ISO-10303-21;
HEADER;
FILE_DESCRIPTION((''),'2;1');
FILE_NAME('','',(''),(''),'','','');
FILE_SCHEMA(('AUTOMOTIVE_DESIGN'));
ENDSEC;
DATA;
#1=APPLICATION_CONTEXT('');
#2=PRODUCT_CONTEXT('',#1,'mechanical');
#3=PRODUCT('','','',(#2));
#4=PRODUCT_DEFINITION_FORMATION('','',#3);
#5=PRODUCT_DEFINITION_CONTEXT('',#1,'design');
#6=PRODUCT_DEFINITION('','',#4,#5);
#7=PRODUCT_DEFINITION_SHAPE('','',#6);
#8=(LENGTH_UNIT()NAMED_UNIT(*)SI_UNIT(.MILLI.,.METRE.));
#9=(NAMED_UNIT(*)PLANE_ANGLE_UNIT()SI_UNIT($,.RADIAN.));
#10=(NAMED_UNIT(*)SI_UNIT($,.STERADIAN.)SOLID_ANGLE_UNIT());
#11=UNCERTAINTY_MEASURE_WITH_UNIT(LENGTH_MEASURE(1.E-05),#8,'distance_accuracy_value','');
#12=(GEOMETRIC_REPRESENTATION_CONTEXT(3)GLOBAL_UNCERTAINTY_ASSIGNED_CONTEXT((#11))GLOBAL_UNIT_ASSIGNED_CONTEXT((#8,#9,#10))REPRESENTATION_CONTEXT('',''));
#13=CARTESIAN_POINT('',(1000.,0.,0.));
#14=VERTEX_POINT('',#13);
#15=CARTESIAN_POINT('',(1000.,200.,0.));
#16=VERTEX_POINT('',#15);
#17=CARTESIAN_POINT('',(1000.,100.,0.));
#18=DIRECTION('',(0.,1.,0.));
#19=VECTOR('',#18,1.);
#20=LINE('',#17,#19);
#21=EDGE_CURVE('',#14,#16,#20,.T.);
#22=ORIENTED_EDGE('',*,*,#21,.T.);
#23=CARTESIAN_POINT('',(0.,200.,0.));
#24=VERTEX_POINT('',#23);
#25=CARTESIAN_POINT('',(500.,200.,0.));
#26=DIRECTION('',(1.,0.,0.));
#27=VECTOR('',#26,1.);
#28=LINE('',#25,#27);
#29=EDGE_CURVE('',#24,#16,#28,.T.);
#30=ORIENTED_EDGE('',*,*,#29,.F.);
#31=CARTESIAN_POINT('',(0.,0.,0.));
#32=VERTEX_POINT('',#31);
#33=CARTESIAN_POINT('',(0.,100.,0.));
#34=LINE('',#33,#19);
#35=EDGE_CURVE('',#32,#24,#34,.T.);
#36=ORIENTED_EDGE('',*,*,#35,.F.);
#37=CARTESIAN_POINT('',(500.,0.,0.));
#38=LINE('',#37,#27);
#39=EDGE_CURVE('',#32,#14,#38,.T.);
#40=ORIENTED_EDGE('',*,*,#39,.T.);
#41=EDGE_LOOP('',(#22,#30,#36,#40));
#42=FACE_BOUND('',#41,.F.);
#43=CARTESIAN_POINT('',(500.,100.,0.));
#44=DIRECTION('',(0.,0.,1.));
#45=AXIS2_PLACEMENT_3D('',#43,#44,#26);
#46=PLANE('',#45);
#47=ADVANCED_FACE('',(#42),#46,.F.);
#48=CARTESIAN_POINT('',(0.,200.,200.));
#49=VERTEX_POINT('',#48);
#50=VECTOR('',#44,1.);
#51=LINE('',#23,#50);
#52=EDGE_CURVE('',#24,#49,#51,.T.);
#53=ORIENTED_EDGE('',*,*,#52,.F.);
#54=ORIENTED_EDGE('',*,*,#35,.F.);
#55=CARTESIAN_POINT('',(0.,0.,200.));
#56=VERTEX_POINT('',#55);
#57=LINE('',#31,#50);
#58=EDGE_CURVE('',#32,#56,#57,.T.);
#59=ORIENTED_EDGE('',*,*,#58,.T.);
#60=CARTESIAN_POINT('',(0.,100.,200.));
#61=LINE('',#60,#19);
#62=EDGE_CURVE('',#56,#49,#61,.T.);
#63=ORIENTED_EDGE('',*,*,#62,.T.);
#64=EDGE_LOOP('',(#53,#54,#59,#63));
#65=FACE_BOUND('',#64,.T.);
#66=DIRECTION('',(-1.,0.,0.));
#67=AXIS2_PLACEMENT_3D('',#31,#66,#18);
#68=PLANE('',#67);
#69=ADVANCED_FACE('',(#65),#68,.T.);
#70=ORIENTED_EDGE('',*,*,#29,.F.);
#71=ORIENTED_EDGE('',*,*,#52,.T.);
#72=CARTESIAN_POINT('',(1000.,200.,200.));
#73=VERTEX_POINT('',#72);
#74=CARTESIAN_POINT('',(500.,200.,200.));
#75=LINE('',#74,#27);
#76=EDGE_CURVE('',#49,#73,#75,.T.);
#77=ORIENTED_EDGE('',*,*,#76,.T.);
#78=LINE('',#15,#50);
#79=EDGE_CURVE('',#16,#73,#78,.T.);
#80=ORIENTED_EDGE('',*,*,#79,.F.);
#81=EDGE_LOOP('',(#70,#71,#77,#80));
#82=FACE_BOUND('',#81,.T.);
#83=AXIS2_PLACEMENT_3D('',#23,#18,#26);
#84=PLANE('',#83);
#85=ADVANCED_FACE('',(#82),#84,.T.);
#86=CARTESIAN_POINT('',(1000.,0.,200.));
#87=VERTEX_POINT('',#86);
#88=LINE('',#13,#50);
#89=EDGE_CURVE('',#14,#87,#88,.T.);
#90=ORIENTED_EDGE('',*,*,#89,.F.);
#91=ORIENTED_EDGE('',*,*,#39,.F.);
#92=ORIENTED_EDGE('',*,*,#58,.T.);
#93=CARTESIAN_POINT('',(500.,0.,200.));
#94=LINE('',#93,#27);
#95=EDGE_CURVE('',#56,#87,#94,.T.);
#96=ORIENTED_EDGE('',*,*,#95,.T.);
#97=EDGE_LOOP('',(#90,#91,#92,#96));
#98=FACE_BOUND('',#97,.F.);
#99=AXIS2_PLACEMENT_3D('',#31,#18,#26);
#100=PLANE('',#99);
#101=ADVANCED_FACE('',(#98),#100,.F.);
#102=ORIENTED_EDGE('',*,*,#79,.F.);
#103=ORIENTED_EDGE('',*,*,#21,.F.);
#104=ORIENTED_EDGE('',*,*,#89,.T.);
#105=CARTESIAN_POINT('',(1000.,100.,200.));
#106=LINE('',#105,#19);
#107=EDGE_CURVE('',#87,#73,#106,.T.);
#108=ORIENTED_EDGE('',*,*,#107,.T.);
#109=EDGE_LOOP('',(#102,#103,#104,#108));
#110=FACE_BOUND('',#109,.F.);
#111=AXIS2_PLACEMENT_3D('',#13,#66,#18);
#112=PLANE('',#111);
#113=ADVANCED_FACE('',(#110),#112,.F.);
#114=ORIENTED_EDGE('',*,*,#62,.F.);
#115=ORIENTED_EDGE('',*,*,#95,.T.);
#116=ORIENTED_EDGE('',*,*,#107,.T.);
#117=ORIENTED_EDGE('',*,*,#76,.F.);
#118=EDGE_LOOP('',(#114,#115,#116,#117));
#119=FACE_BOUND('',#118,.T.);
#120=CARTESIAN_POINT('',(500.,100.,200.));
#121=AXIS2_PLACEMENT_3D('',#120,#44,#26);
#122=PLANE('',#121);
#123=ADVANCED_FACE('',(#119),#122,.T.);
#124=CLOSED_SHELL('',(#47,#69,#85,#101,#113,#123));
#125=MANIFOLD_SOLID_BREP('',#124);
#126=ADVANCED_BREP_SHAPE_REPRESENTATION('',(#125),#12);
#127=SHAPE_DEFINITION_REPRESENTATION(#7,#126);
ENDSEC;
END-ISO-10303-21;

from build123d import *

# Parameters (mm, degrees)
BOX_W     = 1000
BOX_H     = 200
BOX_DEPTH = 200


with BuildPart() as part:
    # Box → Box (new body)
    with BuildSketch(Plane.XY):
        with Locations((500, 100)):
            Rectangle(BOX_W, BOX_H)
    extrude(amount=BOX_DEPTH)


solid = part.part
